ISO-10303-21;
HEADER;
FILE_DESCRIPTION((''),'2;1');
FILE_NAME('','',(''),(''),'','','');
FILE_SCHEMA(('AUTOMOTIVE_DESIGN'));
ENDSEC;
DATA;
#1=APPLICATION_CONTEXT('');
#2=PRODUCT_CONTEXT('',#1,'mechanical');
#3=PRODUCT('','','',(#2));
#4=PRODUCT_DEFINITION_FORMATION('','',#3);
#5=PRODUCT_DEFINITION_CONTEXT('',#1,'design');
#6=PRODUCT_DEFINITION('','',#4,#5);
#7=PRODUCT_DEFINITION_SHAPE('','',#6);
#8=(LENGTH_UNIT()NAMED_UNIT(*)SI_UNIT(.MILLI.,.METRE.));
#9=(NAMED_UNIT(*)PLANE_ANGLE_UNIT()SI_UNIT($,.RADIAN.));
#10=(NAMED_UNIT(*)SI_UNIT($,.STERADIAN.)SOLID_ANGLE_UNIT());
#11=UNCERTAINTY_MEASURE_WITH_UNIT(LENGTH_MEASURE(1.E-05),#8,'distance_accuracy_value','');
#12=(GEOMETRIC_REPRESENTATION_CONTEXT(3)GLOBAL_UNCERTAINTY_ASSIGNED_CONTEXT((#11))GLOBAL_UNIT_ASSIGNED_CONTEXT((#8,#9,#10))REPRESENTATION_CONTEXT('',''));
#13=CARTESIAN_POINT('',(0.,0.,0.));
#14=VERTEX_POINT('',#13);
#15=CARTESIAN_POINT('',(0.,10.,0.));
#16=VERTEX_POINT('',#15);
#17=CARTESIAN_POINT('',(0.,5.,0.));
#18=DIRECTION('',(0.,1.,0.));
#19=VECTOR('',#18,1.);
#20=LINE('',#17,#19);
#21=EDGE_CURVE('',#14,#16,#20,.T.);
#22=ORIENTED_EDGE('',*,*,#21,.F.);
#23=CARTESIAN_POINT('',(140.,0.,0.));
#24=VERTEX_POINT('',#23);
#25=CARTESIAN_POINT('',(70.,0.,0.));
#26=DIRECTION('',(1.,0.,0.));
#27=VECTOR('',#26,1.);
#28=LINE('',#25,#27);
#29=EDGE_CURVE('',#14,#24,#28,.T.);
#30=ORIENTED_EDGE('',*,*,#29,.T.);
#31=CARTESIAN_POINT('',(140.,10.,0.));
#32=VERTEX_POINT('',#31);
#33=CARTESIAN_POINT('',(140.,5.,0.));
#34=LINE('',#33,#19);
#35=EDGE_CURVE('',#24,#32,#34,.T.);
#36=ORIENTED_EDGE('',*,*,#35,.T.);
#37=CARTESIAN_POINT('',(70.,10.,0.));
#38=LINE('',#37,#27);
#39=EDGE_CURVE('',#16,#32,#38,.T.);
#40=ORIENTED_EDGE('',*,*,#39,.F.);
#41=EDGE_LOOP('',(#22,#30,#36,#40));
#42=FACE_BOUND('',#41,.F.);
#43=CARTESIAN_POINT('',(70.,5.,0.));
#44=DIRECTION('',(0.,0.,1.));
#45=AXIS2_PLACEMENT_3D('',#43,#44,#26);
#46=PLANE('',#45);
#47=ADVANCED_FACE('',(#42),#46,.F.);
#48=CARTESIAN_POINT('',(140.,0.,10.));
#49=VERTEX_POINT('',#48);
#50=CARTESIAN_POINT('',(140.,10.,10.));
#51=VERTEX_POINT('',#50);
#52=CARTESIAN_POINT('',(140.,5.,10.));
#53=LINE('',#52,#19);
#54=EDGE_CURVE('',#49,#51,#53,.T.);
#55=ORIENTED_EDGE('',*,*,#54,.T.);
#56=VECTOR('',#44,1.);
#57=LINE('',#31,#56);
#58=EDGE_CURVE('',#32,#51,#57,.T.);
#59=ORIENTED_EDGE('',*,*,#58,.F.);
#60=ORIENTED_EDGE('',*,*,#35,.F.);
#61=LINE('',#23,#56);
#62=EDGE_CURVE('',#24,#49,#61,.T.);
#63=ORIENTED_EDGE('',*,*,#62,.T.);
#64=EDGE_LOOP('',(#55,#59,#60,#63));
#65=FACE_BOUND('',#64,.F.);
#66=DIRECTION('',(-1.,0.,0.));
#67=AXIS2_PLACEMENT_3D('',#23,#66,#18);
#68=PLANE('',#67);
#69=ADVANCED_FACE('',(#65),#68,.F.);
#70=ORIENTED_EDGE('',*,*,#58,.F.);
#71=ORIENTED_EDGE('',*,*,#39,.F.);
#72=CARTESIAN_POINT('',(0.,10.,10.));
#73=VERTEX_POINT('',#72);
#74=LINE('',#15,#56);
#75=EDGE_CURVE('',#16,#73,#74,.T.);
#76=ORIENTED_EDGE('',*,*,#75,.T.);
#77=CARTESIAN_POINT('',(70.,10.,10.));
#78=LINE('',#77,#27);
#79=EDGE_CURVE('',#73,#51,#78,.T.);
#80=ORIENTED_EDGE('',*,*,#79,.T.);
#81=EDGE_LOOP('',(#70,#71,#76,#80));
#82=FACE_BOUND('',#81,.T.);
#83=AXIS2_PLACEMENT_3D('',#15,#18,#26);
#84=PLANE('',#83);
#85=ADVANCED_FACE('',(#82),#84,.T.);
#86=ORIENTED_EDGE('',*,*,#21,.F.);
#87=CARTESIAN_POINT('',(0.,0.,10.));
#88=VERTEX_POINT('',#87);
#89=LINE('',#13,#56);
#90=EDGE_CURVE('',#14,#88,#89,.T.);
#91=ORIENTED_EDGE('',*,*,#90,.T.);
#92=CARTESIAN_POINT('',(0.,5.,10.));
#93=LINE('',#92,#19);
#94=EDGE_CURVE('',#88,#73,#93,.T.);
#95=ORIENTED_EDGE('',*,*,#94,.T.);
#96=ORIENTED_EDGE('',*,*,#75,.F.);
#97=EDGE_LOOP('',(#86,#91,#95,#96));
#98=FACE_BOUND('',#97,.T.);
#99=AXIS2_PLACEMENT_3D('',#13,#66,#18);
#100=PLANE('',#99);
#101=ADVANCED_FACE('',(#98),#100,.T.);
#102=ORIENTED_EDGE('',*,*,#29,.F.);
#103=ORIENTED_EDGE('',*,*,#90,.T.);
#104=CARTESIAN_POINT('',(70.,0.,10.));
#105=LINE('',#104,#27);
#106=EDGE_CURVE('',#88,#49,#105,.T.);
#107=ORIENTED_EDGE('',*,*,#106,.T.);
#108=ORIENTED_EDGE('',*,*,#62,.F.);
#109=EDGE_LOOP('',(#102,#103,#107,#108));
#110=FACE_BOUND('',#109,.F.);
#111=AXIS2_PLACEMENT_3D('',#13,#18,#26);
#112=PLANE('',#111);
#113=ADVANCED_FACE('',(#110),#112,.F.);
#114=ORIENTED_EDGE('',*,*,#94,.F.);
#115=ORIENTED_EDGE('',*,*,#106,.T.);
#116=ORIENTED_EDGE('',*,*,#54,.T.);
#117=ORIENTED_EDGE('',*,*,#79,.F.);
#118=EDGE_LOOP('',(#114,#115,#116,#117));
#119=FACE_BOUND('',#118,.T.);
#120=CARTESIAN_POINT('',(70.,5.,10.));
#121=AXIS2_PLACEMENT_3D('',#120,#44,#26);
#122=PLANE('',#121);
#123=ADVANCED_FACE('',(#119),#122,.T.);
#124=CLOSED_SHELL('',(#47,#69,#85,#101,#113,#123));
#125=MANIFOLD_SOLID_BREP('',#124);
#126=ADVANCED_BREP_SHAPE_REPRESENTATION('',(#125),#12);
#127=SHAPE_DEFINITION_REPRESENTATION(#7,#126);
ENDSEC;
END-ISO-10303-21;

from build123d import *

# Parameters (mm, degrees)
BEAM_W     = 140
BEAM_H     = 10
BEAM_DEPTH = 10


with BuildPart() as part:
    # Beam → Beam (new body)
    with BuildSketch(Plane.XY):
        with Locations((70, 5)):
            Rectangle(BEAM_W, BEAM_H)
    extrude(amount=BEAM_DEPTH)


solid = part.part
